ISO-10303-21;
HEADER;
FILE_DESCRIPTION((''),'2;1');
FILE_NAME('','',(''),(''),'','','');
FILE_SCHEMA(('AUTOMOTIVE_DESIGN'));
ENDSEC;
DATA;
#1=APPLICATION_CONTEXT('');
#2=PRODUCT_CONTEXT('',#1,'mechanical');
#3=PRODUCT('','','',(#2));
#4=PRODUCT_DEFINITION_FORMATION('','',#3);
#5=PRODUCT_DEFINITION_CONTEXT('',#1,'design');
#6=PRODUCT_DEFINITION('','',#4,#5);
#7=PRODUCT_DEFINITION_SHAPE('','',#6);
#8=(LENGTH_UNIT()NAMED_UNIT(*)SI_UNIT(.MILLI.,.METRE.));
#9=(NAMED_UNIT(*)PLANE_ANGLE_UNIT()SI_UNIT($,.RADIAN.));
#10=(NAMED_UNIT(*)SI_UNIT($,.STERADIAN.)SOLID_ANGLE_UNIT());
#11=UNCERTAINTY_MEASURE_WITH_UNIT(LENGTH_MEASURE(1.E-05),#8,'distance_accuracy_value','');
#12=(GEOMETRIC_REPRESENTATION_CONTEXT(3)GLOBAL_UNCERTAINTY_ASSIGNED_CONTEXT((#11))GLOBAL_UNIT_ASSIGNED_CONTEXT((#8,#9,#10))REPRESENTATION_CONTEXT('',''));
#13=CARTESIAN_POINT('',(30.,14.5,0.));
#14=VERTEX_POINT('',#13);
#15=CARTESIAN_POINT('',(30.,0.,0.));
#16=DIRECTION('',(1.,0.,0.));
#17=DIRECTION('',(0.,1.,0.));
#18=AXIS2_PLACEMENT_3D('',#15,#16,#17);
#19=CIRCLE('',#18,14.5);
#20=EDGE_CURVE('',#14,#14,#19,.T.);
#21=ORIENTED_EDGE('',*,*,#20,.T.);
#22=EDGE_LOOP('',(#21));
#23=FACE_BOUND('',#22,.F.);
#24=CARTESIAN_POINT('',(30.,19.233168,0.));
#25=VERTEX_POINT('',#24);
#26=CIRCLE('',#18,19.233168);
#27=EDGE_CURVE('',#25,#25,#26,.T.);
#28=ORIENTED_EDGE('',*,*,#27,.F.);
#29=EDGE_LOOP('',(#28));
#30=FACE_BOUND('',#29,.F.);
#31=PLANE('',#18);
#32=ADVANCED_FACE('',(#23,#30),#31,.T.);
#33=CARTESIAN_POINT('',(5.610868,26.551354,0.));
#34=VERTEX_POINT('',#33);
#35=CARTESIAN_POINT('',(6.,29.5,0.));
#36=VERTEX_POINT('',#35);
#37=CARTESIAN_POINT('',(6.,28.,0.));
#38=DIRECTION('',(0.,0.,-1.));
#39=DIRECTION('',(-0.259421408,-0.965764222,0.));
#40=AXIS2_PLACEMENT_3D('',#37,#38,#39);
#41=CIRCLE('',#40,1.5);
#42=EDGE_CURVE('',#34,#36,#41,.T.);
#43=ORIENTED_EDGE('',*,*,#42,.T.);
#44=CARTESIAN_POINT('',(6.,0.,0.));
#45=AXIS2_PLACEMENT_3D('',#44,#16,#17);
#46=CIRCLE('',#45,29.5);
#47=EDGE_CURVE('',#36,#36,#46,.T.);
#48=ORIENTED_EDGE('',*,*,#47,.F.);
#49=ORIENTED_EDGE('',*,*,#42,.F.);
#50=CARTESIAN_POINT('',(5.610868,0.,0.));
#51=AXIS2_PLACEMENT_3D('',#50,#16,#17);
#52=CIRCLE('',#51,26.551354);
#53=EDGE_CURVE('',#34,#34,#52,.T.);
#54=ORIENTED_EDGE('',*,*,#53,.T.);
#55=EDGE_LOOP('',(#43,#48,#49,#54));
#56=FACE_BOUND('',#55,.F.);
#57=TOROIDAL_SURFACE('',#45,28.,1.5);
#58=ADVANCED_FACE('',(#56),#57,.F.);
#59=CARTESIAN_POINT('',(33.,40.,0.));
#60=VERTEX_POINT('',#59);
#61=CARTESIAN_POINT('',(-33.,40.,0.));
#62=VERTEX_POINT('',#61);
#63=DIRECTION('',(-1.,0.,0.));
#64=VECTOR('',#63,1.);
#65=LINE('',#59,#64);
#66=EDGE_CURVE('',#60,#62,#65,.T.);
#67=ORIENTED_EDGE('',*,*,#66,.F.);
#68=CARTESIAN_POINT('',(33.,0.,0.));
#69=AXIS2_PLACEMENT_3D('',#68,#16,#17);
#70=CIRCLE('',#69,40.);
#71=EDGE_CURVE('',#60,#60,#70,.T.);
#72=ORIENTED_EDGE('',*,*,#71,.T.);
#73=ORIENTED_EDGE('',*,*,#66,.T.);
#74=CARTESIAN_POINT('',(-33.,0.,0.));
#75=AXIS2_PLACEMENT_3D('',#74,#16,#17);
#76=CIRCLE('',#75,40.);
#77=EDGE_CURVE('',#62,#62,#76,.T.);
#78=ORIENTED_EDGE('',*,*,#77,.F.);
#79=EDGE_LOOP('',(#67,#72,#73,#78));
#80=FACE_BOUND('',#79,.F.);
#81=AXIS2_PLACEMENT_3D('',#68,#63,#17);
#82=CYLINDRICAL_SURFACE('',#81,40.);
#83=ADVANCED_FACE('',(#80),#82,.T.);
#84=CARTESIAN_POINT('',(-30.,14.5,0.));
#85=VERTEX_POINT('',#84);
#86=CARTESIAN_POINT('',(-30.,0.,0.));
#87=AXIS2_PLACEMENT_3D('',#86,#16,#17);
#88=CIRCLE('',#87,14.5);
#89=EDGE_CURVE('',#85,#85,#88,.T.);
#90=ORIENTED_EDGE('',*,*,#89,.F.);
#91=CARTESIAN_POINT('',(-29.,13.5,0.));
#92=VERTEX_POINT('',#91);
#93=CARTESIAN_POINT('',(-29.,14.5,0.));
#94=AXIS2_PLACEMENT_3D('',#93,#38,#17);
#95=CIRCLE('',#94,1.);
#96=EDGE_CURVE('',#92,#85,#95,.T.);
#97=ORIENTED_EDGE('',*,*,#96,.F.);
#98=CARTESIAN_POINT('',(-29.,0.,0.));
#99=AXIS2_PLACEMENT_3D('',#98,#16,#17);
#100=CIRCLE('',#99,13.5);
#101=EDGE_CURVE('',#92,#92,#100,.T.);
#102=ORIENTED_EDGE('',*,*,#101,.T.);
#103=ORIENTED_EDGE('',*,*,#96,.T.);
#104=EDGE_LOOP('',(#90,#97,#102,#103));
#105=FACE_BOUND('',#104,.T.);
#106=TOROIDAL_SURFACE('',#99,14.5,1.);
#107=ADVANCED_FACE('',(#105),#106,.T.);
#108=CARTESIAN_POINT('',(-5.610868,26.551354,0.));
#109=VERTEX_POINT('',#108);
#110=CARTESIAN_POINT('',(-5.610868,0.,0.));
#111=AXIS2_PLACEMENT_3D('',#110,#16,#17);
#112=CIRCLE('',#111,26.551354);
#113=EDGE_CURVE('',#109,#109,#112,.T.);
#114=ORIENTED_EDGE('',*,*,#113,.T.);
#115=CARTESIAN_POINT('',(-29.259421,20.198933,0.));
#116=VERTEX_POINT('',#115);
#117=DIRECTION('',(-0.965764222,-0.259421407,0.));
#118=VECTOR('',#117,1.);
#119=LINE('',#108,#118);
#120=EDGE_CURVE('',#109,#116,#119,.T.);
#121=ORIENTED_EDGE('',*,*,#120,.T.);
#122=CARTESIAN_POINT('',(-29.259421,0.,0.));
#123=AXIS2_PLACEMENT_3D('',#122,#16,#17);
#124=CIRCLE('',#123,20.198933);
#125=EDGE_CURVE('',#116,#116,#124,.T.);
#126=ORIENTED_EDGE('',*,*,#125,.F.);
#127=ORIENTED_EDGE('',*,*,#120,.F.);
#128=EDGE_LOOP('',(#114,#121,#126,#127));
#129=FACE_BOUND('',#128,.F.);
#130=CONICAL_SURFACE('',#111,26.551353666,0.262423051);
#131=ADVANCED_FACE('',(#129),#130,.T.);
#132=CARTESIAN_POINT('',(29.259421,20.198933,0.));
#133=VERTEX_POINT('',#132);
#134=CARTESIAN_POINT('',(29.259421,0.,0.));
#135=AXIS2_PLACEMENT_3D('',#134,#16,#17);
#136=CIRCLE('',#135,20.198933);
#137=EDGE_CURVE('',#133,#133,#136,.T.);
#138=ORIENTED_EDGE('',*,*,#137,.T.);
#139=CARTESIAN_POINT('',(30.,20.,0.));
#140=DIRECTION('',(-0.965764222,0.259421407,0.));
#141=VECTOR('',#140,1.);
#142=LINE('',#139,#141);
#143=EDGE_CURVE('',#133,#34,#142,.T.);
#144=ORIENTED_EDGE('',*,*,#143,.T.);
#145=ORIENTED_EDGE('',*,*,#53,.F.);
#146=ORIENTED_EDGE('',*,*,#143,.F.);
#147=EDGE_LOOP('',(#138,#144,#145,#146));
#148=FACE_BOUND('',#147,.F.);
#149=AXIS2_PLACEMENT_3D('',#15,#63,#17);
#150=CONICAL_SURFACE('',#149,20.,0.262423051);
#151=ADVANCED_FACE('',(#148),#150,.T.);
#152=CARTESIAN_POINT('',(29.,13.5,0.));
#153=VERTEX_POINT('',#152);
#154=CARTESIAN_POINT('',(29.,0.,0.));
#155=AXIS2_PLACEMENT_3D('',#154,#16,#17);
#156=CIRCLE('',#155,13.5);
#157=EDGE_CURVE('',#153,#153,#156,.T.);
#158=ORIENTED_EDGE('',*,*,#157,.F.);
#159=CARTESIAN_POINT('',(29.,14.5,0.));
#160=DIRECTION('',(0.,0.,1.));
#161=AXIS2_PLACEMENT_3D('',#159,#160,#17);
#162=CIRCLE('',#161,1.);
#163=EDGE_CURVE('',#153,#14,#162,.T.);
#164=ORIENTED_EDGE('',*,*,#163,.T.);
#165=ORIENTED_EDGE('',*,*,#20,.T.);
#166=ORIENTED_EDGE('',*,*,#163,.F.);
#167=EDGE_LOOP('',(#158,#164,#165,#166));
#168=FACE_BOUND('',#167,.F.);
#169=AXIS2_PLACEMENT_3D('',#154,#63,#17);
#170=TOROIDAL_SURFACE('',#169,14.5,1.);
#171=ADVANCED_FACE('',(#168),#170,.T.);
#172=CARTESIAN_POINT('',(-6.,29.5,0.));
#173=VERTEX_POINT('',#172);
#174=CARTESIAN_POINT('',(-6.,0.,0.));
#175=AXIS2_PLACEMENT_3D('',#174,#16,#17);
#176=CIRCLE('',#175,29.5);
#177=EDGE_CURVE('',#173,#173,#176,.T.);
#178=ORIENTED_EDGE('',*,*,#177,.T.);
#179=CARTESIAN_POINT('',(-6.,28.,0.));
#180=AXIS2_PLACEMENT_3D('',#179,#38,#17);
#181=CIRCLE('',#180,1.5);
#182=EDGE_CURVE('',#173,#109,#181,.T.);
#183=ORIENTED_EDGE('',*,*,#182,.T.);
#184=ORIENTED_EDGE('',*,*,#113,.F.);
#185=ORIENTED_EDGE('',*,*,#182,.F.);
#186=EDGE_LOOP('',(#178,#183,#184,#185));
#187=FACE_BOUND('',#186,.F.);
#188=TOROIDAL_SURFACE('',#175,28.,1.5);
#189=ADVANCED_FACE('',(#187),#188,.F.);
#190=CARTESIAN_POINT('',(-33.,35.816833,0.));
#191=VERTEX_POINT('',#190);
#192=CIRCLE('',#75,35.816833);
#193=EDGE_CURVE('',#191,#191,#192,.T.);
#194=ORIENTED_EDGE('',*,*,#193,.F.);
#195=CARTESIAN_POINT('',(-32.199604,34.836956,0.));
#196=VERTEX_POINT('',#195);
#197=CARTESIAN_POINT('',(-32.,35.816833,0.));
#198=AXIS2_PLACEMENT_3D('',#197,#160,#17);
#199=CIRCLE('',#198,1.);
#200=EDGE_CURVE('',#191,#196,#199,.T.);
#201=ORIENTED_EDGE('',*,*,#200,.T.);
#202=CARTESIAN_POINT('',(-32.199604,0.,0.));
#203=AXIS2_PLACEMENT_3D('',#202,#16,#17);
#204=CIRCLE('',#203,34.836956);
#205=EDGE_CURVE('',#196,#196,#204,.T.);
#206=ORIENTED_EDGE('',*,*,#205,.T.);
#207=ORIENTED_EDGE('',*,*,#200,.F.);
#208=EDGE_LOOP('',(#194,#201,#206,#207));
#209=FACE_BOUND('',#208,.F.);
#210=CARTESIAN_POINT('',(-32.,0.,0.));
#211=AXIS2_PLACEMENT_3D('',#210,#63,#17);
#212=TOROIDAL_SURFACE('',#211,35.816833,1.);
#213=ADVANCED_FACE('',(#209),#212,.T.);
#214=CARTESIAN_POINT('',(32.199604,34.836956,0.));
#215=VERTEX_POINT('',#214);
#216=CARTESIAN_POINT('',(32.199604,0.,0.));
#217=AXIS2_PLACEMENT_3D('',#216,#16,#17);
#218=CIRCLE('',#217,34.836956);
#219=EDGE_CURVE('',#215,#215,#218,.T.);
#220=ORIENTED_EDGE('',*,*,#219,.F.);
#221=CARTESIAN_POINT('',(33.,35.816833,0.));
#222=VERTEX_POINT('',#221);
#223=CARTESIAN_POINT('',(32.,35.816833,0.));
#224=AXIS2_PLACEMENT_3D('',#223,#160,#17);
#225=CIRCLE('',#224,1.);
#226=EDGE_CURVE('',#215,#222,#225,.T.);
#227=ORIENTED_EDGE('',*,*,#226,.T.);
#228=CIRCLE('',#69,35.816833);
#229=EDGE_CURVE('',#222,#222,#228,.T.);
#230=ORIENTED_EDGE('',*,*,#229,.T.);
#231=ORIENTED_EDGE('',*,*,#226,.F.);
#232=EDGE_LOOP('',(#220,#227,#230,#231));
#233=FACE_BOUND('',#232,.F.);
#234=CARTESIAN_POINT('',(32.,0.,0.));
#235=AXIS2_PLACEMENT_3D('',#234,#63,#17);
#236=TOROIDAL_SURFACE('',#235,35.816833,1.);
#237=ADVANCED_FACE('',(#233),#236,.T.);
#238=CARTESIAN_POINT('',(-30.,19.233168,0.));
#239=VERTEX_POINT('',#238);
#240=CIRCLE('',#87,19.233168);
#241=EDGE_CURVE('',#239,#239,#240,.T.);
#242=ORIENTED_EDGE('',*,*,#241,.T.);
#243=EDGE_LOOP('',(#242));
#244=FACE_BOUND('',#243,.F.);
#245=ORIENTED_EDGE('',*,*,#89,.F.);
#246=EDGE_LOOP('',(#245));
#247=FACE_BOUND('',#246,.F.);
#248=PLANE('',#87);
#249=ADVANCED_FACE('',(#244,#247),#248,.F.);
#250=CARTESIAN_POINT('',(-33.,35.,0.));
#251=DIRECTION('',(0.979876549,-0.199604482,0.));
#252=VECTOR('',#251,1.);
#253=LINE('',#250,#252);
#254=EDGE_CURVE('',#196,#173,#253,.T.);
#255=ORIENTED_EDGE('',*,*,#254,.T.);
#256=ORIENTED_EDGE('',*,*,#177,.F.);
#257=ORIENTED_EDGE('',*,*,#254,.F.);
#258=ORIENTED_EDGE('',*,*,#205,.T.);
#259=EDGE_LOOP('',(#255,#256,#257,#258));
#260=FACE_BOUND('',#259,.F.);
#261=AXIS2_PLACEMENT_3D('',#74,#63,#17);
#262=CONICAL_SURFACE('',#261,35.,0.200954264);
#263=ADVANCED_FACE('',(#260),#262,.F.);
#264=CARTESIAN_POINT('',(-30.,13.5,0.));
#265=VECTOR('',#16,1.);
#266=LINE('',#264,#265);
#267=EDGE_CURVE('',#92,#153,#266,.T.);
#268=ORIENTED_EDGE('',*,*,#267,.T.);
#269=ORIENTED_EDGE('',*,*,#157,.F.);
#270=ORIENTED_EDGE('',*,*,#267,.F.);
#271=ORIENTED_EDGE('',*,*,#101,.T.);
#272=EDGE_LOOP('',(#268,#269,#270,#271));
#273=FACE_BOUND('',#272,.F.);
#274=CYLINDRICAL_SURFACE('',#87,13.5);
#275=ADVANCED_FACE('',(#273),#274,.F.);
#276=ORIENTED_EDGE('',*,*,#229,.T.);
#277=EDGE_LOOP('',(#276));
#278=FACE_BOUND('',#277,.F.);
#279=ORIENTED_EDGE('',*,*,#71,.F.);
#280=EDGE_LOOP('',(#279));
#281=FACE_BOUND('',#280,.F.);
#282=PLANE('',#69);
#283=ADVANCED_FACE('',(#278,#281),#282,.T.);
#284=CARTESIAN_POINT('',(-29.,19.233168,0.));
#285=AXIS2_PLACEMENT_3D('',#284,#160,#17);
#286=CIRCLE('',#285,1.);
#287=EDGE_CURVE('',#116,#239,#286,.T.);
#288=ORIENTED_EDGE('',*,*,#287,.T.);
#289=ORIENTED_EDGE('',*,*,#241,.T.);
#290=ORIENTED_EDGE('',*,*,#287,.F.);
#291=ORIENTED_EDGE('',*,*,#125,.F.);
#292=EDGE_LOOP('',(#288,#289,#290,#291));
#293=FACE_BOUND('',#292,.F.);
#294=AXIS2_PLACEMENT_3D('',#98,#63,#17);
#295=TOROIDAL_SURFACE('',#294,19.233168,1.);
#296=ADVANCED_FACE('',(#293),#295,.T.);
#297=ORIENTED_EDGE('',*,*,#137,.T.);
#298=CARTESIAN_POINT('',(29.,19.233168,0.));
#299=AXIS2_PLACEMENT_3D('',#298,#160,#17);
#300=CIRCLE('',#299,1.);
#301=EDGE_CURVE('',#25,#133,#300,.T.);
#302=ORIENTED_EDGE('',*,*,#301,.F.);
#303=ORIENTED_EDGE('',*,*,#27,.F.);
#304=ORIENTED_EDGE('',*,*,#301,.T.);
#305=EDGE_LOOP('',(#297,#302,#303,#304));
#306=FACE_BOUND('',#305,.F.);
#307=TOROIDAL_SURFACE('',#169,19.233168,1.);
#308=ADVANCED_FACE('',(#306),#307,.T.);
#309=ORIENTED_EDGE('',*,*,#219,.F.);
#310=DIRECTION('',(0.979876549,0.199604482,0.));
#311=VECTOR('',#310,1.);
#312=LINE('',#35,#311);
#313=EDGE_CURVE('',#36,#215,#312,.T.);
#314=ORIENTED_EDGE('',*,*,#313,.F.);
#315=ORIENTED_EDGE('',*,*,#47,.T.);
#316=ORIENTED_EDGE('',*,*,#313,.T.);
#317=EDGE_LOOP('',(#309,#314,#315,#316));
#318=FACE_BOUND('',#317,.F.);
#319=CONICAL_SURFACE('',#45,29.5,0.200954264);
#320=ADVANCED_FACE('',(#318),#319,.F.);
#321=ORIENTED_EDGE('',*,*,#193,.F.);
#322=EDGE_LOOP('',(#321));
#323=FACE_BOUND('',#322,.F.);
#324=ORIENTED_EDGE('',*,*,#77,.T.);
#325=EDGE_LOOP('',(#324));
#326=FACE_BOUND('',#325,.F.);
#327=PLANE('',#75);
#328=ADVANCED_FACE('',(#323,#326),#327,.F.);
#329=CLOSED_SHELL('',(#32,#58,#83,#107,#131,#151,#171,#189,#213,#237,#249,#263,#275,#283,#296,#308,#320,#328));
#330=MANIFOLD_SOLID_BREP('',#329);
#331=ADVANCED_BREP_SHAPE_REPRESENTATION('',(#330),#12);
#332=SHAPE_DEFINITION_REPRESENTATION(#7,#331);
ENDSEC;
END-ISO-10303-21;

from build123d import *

# Parameters (mm, degrees)
FILLET1_R = 1


with BuildPart() as part:
    # Sketch1 → Revolve1 (revolve)
    with BuildSketch(Plane.XY):
        with BuildLine():
            Line((-30, 13.5), (30, 13.5))
            Line((30, 13.5), (30, 20))
            Line((30, 20), (5.610867889, 26.551353666))
            ThreePointArc((5.610867889, 26.551353666), (4.512893834, 28.196253025), (6, 29.5))
            Line((6, 29.5), (33, 35))
            Line((33, 35), (33, 40))
            Line((33, 40), (-33, 40))
            Line((-33, 40), (-33, 35))
            Line((-33, 35), (-6, 29.5))
            ThreePointArc((-6, 29.5), (-4.512893834, 28.196253025), (-5.610867889, 26.551353666))
            Line((-5.610867889, 26.551353666), (-30, 20))
            Line((-30, 20), (-30, 13.5))
        make_face()
    revolve(axis=Axis((-33, 0, 0), (1, 0, 0)))

    # Fillet1
    fillet1_edges = [part.edges().sort_by_distance(p)[0] for p in [
        (-33, -35, 0),
        (33, -35, 0),
        (30, -20, 0),
        (30, -13.5, 0),
        (-30, -13.5, 0),
        (-30, -20, 0),
    ]]
    fillet(fillet1_edges, radius=FILLET1_R)


solid = part.part
